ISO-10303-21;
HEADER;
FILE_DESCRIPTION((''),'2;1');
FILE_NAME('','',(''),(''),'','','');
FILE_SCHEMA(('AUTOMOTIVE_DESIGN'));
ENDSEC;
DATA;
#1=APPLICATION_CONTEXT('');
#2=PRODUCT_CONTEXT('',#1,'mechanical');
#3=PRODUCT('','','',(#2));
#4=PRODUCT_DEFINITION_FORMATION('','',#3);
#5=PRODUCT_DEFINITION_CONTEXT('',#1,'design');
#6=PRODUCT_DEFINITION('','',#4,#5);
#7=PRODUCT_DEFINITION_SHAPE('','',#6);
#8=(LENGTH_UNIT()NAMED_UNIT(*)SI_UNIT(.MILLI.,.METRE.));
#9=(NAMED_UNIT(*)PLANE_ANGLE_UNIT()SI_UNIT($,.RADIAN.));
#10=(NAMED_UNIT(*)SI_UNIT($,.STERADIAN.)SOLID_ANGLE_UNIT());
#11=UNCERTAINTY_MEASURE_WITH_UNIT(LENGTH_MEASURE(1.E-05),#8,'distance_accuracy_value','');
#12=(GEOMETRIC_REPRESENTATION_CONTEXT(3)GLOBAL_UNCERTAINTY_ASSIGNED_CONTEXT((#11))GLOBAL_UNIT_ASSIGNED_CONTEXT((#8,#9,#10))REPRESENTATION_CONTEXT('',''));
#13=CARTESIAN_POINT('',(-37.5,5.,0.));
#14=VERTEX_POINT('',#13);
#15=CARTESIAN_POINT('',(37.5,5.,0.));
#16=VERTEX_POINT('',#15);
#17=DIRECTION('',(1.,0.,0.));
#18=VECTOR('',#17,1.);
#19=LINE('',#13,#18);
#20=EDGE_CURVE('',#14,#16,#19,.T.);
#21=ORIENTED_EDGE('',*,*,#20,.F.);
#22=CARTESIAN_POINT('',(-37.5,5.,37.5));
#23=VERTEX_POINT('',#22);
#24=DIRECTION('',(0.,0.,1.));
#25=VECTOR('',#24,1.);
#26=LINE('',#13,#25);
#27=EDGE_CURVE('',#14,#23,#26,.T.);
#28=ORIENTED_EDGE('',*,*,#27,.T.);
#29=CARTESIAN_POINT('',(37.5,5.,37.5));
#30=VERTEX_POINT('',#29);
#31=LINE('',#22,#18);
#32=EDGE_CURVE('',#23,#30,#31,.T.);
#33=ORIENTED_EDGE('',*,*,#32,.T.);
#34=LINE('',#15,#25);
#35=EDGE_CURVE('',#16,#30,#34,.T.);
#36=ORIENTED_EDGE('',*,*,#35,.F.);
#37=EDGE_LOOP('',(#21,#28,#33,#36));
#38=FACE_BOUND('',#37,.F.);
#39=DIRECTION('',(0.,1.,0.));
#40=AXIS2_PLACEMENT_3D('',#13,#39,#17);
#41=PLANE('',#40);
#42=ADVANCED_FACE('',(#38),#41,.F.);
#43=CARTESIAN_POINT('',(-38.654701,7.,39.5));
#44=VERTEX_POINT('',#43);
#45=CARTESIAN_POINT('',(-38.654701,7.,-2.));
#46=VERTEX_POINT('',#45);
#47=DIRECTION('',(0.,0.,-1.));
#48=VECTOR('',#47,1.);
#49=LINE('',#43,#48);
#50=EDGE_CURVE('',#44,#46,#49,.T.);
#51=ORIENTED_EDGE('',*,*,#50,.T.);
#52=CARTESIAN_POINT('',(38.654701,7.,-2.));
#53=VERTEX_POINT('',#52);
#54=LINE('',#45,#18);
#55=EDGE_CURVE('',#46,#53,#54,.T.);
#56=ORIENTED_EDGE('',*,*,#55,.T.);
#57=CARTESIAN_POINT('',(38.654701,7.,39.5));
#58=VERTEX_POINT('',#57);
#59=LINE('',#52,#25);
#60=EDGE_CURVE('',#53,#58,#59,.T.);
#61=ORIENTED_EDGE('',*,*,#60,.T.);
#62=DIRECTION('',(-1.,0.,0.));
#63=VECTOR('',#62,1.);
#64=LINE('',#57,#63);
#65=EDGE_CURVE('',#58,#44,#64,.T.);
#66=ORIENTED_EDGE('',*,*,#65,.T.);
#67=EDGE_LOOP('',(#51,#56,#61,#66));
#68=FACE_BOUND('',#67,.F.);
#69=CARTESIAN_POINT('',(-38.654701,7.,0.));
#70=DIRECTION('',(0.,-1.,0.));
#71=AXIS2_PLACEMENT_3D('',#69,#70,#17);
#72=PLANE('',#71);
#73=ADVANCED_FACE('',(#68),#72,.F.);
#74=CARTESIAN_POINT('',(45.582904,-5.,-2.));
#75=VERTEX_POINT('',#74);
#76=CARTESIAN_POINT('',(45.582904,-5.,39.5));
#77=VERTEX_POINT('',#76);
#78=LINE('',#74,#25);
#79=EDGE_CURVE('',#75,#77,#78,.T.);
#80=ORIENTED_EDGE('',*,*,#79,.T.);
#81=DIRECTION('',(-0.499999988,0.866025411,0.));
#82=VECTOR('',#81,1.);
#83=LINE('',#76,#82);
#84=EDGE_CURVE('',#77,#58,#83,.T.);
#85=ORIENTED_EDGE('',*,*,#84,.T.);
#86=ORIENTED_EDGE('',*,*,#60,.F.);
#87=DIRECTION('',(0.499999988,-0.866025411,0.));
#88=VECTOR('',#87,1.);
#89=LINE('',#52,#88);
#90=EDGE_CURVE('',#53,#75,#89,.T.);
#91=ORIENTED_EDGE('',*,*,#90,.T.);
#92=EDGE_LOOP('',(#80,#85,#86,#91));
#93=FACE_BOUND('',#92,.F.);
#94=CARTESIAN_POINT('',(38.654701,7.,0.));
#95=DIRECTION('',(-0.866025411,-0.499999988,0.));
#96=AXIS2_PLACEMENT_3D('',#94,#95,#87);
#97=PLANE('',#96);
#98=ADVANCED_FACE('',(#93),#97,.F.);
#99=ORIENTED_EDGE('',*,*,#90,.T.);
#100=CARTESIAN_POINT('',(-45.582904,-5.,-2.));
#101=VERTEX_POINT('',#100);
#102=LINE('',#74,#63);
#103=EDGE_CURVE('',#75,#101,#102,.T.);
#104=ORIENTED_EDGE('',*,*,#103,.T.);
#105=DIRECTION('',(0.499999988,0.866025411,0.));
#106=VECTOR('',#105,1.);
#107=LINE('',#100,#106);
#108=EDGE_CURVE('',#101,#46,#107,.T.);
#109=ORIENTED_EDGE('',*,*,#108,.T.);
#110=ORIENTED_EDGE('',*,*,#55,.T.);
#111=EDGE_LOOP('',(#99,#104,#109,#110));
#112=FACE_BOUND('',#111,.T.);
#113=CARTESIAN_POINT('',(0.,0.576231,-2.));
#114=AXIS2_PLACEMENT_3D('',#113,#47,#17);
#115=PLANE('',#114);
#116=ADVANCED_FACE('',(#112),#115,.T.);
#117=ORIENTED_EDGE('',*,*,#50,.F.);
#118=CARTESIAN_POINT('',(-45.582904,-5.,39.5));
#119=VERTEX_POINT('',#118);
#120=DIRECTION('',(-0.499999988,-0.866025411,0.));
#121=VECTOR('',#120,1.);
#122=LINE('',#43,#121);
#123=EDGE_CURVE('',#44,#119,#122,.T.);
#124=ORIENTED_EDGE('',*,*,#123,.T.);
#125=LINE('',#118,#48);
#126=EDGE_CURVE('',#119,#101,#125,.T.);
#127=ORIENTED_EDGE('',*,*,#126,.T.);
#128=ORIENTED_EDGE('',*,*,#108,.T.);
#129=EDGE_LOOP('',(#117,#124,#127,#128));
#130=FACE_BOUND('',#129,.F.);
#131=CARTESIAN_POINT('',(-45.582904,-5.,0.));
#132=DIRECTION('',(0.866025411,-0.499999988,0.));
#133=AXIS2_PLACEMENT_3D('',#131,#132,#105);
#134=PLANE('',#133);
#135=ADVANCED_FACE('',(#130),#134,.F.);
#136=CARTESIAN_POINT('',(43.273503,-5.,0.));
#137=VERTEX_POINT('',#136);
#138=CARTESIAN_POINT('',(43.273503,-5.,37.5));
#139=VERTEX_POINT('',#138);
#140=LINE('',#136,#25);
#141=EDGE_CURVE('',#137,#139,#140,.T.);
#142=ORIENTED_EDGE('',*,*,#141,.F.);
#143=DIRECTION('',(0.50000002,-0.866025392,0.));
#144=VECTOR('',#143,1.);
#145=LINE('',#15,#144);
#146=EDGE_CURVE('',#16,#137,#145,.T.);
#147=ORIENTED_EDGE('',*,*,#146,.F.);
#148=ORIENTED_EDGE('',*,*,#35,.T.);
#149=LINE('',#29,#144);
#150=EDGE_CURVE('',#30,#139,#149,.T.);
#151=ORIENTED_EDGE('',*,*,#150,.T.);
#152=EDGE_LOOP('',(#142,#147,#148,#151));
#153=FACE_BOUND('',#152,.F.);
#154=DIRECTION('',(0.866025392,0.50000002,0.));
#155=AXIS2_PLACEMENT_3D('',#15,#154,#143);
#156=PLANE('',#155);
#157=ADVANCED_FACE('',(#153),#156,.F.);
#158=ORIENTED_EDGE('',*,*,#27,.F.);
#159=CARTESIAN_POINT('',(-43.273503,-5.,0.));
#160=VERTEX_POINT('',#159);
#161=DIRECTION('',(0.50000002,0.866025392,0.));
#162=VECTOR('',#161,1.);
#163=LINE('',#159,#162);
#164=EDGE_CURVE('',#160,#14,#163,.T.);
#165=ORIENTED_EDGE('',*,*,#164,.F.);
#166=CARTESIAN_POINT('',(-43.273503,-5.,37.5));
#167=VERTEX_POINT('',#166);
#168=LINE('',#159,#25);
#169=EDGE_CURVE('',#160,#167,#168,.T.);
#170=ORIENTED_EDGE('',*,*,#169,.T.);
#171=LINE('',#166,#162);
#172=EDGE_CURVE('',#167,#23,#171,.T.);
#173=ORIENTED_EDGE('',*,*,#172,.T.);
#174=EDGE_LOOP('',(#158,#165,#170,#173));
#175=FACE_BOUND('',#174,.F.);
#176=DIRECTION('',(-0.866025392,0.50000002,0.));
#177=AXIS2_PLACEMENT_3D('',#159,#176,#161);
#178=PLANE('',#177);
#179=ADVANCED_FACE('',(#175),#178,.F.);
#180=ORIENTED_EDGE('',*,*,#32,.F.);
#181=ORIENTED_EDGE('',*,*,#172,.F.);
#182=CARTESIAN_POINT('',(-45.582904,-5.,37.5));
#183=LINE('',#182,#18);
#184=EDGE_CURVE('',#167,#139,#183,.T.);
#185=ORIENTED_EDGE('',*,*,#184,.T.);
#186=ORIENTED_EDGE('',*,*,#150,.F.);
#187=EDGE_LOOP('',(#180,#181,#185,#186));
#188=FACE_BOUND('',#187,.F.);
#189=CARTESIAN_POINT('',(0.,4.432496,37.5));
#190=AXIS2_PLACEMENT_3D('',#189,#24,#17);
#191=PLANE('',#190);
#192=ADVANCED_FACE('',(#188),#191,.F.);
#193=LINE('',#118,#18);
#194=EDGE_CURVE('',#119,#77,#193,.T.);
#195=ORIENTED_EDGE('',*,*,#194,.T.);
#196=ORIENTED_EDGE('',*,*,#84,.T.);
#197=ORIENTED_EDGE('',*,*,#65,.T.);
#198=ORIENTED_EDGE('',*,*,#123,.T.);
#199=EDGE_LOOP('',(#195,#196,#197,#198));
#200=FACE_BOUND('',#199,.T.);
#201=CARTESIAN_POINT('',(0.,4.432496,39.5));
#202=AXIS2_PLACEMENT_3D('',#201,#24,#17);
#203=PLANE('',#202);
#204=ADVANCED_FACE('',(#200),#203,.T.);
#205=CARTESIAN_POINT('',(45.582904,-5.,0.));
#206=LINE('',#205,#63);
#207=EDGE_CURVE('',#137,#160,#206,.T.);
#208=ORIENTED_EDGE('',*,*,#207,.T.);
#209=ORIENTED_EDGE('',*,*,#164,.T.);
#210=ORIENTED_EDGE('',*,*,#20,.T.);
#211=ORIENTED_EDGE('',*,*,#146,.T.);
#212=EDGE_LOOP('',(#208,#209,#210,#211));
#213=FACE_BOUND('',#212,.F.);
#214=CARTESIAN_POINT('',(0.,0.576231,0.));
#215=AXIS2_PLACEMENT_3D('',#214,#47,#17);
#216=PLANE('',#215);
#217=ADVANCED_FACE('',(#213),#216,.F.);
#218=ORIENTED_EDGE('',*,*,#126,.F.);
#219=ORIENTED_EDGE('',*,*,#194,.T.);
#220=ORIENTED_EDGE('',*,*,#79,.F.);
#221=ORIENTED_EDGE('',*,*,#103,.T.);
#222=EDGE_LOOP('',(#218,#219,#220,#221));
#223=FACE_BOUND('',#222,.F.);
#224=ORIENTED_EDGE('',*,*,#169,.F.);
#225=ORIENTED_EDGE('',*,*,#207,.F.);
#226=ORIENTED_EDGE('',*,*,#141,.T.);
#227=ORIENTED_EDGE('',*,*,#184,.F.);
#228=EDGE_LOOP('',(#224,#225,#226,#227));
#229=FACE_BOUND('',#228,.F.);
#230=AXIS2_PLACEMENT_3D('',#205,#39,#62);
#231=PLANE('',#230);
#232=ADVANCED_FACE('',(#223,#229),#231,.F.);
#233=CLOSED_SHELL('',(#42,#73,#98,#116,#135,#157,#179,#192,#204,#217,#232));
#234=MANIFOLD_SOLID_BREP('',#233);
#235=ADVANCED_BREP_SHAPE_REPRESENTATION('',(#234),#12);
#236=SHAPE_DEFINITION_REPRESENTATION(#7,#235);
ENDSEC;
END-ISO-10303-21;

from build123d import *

# Parameters (mm, degrees)
F1_DEPTH = 37.5
F3_DEPTH = 2
F5_DEPTH = 2


with BuildPart() as f1:
    # F0 (on Top) → F1 (new body)
    with BuildSketch(Plane.XY):
        Polygon((-43.273503, -5), (-37.5, 5), (37.5, 5), (43.273503, -5), (45.582904, -5), (38.654701, 7), (-38.654701, 7), (-45.582904, -5), align=None)
    extrude(amount=F1_DEPTH)

    # F2 (on face) → F3 (join)
    with BuildSketch(Plane.XY.offset(37.5)):
        Polygon((-38.654701, 7), (-45.582904, -5), (-43.273503, -5), (-37.5, 5), (37.5, 5), (43.273503, -5), (45.582904, -5), (38.654701, 7), align=None)
        Polygon((-37.5, 5), (-43.273503, -5), (43.273503, -5), (37.5, 5), align=None)
    extrude(amount=F3_DEPTH)

    # F4 (on face) → F5 (join)
    with BuildSketch(Plane(origin=(0, 0, 0), x_dir=(1, 0, 0), z_dir=(0, 0, -1))):
        Polygon((45.582904, 5), (-45.582904, 5), (-38.654701, -7), (38.654701, -7), align=None)
    extrude(amount=F5_DEPTH)


solid = f1.part
